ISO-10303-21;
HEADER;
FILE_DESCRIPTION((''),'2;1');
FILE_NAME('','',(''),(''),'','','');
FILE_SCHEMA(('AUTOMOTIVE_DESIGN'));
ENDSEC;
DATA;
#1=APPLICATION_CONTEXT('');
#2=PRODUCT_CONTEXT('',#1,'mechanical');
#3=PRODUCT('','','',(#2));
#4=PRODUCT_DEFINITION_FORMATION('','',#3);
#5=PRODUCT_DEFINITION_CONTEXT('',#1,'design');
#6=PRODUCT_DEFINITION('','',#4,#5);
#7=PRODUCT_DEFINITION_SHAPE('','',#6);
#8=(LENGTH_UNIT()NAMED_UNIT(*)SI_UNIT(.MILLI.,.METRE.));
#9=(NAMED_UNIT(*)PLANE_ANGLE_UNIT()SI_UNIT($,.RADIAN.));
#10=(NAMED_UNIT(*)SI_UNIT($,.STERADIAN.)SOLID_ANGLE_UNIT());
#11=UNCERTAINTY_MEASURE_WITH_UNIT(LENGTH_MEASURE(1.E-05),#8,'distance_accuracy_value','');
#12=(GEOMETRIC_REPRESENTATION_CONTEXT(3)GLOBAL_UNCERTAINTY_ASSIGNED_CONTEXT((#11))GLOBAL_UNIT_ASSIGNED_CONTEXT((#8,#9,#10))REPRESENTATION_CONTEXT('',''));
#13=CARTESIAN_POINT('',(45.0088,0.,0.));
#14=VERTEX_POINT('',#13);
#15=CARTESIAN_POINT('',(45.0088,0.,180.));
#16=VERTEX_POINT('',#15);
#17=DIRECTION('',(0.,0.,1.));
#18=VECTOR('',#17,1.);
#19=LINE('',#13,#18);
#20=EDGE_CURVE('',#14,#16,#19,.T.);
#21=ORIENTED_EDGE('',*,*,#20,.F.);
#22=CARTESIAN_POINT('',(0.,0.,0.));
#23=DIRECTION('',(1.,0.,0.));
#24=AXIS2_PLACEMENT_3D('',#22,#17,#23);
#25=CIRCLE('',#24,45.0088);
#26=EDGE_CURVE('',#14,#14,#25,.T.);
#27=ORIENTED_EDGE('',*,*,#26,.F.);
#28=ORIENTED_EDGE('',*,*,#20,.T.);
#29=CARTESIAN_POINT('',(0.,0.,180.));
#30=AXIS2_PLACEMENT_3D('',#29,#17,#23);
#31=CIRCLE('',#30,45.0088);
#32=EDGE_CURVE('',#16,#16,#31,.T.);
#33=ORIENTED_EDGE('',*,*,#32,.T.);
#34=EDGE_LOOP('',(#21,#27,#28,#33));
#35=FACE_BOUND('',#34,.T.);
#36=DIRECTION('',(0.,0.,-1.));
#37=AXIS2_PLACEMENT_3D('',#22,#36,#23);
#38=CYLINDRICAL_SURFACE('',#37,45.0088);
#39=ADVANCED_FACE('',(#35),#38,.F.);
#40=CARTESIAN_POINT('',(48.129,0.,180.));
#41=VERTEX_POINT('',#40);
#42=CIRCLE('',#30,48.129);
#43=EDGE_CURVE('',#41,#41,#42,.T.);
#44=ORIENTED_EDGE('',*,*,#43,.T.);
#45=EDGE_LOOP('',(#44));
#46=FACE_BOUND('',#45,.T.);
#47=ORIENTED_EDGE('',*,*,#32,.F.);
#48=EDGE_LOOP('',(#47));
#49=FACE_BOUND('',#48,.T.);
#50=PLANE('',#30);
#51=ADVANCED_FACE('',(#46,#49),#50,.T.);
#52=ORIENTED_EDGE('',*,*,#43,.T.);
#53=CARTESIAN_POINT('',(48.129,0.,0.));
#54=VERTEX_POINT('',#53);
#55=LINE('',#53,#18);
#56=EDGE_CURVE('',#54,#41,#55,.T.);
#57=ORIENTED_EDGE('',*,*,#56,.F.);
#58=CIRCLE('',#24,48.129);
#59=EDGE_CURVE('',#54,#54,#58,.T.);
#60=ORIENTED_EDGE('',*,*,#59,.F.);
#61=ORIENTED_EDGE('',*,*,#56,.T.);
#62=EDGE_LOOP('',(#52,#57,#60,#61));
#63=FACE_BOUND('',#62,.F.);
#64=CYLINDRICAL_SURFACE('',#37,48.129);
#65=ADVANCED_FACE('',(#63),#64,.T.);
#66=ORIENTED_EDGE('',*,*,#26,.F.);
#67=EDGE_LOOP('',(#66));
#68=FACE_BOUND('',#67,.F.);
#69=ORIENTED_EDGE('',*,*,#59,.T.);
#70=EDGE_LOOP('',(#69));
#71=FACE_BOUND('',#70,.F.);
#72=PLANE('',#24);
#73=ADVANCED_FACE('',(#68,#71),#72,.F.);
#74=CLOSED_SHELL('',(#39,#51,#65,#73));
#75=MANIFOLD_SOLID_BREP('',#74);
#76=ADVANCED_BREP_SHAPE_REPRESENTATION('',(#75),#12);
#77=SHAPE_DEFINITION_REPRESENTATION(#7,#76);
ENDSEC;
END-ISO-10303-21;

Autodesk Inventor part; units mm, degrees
ref_plane "YZ Plane" through (0, 0, 0) normal (1, 0, 0) x (0, 1, 0)
ref_plane "XZ Plane" through (0, 0, 0) normal (0, 1, 0) x (-1, 0, 0)
ref_plane "XY Plane" through (0, 0, 0) normal (0, 0, 1) x (1, 0, 0)
sketch "Sketch1" plane through (0, 0, 0) normal (0, 0, 1) x (1, 0, 0)
  circle A0 centre (0, 0) radius 48.129
  circle A1 centre (0, 0) radius 45.0088
  dimension "d0" = 96.258
  dimension "d1" = 90.0176
extrude "Extrusion1" add sketch "Sketch1" along normal blind 180
thread "Thread1" size "M16x2" class "6g" standard "ANSI Metric M Profile" full length
properties part number "4111_Bias_Coil_Layer3_MPSv2_v2" material "Copper"
